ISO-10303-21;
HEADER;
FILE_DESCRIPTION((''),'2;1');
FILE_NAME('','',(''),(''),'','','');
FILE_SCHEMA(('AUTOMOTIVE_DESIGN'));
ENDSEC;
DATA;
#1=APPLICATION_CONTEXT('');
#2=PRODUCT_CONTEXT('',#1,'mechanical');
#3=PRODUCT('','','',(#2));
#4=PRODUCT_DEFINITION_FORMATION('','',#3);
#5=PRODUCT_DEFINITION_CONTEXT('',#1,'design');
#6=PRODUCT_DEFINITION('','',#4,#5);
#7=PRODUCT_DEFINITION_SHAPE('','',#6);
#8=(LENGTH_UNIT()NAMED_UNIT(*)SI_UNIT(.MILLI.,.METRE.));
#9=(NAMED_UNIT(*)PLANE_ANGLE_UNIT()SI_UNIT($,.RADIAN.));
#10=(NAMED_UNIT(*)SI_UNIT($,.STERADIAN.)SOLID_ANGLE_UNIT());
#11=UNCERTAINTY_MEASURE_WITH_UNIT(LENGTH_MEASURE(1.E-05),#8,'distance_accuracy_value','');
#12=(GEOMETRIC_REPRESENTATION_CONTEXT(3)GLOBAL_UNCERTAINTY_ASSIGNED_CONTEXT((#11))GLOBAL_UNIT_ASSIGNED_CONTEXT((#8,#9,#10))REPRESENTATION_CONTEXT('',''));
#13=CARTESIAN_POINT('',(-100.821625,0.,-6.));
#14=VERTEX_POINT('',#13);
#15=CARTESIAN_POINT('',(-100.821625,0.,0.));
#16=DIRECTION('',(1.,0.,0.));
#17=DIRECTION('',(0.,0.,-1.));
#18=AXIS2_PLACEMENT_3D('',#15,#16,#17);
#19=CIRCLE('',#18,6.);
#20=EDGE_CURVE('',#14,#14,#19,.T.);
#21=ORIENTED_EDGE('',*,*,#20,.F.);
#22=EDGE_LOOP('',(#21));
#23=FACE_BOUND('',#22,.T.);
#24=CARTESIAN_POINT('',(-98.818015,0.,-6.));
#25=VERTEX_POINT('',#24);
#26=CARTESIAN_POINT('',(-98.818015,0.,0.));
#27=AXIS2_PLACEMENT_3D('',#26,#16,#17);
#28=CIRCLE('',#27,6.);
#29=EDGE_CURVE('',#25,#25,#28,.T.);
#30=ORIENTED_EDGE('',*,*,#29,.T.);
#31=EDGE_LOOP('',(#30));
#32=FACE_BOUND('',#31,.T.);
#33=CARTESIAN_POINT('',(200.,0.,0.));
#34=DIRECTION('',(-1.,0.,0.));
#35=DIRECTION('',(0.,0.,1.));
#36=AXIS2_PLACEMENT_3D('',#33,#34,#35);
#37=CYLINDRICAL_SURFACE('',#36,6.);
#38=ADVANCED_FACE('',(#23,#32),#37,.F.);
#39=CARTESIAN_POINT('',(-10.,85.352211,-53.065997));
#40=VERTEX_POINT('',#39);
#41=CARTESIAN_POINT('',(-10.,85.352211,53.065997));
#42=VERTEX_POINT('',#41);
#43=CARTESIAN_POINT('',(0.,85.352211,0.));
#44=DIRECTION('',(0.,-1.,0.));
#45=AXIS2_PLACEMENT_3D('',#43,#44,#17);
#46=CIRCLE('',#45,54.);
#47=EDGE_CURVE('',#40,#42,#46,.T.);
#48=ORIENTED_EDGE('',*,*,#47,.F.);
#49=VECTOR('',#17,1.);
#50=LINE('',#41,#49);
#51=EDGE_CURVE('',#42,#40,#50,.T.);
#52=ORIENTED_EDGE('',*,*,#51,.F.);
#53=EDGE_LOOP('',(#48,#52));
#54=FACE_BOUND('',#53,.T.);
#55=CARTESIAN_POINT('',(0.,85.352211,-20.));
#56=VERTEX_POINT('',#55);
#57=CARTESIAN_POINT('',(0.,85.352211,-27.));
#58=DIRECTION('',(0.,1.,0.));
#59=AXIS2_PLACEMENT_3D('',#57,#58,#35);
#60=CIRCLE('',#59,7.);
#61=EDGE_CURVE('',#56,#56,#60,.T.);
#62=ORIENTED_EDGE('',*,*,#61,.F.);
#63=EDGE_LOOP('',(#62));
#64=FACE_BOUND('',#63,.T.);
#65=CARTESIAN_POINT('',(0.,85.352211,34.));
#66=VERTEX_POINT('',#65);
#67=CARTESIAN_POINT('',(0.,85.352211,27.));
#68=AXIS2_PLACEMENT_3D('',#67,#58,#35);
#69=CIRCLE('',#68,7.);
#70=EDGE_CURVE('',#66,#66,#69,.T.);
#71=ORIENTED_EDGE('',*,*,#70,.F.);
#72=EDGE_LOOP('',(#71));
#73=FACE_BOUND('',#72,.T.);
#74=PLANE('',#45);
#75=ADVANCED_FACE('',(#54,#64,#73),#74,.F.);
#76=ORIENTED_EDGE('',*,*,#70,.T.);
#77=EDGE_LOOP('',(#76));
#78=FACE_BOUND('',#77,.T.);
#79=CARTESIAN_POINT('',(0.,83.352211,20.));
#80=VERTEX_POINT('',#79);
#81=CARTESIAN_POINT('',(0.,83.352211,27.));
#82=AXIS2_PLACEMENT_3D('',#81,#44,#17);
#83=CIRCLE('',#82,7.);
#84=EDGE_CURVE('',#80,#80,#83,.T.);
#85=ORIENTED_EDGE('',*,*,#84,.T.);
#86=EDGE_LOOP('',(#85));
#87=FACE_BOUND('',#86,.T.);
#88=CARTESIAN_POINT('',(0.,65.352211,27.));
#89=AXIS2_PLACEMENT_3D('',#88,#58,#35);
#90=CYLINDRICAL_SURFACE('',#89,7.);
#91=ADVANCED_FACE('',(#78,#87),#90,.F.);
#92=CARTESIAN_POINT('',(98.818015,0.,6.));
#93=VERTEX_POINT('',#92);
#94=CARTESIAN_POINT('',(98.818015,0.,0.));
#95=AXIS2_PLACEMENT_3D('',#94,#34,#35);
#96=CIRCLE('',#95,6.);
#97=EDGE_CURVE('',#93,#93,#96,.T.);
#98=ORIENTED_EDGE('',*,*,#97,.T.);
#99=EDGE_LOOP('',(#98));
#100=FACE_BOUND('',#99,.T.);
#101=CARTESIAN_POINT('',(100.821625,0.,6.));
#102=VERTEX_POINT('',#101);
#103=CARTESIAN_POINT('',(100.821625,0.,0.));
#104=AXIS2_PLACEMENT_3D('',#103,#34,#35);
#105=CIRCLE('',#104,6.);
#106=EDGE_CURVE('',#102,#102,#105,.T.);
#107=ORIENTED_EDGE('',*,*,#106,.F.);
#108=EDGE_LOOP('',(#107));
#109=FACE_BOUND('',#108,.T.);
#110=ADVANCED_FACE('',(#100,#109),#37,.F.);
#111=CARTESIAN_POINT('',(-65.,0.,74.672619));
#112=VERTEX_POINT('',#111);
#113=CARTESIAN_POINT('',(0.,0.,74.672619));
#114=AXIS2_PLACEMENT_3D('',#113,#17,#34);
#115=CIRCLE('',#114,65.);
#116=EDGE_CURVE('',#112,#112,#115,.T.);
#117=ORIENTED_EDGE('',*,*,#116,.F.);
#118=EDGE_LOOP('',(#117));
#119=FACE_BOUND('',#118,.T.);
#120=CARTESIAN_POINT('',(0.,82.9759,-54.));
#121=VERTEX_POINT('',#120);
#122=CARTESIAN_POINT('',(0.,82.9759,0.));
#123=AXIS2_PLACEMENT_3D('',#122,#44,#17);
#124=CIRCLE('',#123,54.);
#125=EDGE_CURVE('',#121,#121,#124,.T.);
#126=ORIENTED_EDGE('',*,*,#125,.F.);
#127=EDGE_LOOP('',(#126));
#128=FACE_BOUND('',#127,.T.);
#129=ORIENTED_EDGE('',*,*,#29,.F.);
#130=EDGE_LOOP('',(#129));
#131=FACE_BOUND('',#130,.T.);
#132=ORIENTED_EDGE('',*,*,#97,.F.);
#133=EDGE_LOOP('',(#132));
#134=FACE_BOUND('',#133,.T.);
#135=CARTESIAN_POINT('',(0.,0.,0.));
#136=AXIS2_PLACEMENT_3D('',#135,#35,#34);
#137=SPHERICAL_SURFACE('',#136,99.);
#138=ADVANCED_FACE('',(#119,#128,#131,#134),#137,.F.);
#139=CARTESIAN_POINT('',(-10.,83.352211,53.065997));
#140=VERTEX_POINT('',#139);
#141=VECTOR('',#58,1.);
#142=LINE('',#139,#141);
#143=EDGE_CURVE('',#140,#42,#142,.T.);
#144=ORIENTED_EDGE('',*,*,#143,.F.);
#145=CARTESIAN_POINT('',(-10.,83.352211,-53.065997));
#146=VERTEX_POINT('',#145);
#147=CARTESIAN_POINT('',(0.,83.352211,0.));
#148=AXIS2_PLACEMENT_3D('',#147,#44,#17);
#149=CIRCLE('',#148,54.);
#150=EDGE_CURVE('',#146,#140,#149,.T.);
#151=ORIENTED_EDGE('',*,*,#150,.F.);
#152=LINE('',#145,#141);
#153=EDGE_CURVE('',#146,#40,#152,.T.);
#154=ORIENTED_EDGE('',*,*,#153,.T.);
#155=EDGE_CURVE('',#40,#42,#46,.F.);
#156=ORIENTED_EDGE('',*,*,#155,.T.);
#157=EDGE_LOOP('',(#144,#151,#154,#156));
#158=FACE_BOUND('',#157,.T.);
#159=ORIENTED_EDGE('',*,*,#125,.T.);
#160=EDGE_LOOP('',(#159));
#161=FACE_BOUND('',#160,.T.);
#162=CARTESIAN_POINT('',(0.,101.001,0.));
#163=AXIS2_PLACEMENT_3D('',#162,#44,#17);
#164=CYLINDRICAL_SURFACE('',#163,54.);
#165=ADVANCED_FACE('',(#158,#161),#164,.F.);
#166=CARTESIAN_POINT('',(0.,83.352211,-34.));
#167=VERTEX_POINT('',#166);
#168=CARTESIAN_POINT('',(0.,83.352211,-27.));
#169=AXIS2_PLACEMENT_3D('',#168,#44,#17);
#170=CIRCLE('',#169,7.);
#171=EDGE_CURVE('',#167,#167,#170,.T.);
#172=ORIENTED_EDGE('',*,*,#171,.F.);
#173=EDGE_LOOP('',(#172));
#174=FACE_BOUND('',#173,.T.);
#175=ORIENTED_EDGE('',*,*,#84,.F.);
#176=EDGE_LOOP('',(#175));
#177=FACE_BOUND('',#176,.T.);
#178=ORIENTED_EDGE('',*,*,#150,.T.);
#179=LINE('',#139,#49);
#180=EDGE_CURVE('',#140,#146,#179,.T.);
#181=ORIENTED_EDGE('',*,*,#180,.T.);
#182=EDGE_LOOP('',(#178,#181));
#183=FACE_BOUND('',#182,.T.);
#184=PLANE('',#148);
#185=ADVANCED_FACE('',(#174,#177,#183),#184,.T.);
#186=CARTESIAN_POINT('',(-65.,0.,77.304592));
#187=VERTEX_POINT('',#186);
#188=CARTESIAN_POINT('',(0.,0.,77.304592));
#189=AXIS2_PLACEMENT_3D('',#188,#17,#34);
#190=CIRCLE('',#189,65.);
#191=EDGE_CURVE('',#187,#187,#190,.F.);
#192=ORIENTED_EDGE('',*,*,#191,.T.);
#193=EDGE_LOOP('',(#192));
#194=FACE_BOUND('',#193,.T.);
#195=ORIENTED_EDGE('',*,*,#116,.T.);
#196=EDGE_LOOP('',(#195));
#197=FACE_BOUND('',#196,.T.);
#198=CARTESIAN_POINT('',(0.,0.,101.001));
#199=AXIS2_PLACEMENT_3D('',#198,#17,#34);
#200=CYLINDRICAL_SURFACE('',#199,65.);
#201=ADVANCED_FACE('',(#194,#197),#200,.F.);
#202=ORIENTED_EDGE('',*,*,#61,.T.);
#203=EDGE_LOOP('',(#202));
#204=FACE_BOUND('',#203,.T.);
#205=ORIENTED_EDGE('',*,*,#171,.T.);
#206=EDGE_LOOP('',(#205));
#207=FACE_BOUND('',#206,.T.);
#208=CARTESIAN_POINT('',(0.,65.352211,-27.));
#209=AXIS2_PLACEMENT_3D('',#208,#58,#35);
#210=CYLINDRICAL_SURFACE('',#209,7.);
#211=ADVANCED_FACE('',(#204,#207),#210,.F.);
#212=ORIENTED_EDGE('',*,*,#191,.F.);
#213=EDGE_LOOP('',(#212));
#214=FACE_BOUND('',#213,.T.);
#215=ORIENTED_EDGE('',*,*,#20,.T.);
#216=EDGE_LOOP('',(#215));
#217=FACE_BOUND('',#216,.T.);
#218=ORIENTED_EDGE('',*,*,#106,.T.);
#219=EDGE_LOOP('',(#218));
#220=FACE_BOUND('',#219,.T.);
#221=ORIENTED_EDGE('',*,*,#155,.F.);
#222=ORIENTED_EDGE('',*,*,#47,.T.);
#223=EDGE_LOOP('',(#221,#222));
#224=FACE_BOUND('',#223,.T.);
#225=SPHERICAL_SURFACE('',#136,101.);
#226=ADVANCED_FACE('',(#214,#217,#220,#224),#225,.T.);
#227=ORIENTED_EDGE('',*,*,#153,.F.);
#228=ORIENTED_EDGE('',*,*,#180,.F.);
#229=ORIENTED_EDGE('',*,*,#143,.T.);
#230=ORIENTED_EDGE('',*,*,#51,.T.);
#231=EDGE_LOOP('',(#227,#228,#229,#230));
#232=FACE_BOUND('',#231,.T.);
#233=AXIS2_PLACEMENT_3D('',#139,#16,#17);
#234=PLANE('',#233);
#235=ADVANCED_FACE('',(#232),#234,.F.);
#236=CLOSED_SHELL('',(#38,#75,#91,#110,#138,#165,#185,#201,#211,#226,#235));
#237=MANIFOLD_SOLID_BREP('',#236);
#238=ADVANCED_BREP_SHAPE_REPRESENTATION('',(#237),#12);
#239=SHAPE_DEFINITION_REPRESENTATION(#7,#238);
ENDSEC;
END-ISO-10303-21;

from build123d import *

# Parameters (mm, degrees)
CUT_EXTRUDE7_REACH      = 103
SKETCH5_R               = 54
CUT_EXTRUDE8_REACH      = 103
SKETCH6_R               = 65
BOSS_EXTRUDE1_DEPTH     = 2
SKETCH9_R               = 6
CUT_EXTRUDE9_DEPTH      = 200
CUT_EXTRUDE9_DEPTH_BACK = 200
SKETCH10_R              = 7
CUT_EXTRUDE10_DEPTH     = 20


with BuildPart() as part:
    # Sketch2 → Globe (revolve)
    with BuildSketch(Plane(origin=(0, 0, 0), x_dir=(1, 0, 0), z_dir=(0, 1, 0))):
        with BuildLine():
            ThreePointArc((0, -101), (101, 0), (0, 101))
            Line((0, 101), (0, 99))
            ThreePointArc((0, 99), (99, 0), (0, -99))
            Line((0, -99), (0, -101))
        make_face()
    revolve(axis=Axis((0, 0, 100), (0, 0, -1)))

    # Sketch5 → Cut-Extrude7 (cut, up to next)
    with BuildSketch(Plane(origin=(0, 0, 0), x_dir=(1, 0, 0), z_dir=(0, 1, 0)), mode=Mode.PRIVATE) as cut_extrude7_sk1:
        Circle(SKETCH5_R)
    cut_extrude7_tool1 = extrude(cut_extrude7_sk1.sketch, amount=CUT_EXTRUDE7_REACH, mode=Mode.PRIVATE) & part.part
    add(cut_extrude7_tool1.solids().sort_by_distance((0, 0, 0))[0], mode=Mode.SUBTRACT)

    # Sketch6 → Cut-Extrude8 (cut, up to next)
    with BuildSketch(Plane.XY, mode=Mode.PRIVATE) as cut_extrude8_sk1:
        Circle(SKETCH6_R)
    cut_extrude8_tool1 = extrude(cut_extrude8_sk1.sketch, amount=CUT_EXTRUDE8_REACH, mode=Mode.PRIVATE) & part.part
    add(cut_extrude8_tool1.solids().sort_by_distance((0, 0, 0))[0], mode=Mode.SUBTRACT)

    # Sketch7 → Boss-Extrude1 (add)
    with BuildSketch(Plane(origin=(0, 85.352211453, 0), x_dir=(-1, 0, 0), z_dir=(0, -1, 0))):
        with BuildLine():
            Line((10, -53.065996646), (10, 53.065996646))
            ThreePointArc((10, 53.065996646), (-54, 0), (10, -53.065996646))
        make_face()
    extrude(amount=BOSS_EXTRUDE1_DEPTH)

    # Sketch9 → Cut-Extrude9 (cut, two sides)
    with BuildSketch(Plane(origin=(0, 0, 0), x_dir=(0, 0, -1), z_dir=(1, 0, 0))) as cut_extrude9_sk:
        Circle(SKETCH9_R)
    extrude(amount=CUT_EXTRUDE9_DEPTH, mode=Mode.SUBTRACT)
    extrude(cut_extrude9_sk.sketch, amount=-CUT_EXTRUDE9_DEPTH_BACK, mode=Mode.SUBTRACT)

    # Sketch10 → Cut-Extrude10 (cut)
    with BuildSketch(Plane(origin=(0, 85.352211453, 0), x_dir=(1, 0, 0), z_dir=(0, 1, 0))):
        with Locations((0, 27)):
            Circle(SKETCH10_R)
        with Locations((0, -27)):
            Circle(SKETCH10_R)
    extrude(amount=-CUT_EXTRUDE10_DEPTH, mode=Mode.SUBTRACT)


solid = part.part
